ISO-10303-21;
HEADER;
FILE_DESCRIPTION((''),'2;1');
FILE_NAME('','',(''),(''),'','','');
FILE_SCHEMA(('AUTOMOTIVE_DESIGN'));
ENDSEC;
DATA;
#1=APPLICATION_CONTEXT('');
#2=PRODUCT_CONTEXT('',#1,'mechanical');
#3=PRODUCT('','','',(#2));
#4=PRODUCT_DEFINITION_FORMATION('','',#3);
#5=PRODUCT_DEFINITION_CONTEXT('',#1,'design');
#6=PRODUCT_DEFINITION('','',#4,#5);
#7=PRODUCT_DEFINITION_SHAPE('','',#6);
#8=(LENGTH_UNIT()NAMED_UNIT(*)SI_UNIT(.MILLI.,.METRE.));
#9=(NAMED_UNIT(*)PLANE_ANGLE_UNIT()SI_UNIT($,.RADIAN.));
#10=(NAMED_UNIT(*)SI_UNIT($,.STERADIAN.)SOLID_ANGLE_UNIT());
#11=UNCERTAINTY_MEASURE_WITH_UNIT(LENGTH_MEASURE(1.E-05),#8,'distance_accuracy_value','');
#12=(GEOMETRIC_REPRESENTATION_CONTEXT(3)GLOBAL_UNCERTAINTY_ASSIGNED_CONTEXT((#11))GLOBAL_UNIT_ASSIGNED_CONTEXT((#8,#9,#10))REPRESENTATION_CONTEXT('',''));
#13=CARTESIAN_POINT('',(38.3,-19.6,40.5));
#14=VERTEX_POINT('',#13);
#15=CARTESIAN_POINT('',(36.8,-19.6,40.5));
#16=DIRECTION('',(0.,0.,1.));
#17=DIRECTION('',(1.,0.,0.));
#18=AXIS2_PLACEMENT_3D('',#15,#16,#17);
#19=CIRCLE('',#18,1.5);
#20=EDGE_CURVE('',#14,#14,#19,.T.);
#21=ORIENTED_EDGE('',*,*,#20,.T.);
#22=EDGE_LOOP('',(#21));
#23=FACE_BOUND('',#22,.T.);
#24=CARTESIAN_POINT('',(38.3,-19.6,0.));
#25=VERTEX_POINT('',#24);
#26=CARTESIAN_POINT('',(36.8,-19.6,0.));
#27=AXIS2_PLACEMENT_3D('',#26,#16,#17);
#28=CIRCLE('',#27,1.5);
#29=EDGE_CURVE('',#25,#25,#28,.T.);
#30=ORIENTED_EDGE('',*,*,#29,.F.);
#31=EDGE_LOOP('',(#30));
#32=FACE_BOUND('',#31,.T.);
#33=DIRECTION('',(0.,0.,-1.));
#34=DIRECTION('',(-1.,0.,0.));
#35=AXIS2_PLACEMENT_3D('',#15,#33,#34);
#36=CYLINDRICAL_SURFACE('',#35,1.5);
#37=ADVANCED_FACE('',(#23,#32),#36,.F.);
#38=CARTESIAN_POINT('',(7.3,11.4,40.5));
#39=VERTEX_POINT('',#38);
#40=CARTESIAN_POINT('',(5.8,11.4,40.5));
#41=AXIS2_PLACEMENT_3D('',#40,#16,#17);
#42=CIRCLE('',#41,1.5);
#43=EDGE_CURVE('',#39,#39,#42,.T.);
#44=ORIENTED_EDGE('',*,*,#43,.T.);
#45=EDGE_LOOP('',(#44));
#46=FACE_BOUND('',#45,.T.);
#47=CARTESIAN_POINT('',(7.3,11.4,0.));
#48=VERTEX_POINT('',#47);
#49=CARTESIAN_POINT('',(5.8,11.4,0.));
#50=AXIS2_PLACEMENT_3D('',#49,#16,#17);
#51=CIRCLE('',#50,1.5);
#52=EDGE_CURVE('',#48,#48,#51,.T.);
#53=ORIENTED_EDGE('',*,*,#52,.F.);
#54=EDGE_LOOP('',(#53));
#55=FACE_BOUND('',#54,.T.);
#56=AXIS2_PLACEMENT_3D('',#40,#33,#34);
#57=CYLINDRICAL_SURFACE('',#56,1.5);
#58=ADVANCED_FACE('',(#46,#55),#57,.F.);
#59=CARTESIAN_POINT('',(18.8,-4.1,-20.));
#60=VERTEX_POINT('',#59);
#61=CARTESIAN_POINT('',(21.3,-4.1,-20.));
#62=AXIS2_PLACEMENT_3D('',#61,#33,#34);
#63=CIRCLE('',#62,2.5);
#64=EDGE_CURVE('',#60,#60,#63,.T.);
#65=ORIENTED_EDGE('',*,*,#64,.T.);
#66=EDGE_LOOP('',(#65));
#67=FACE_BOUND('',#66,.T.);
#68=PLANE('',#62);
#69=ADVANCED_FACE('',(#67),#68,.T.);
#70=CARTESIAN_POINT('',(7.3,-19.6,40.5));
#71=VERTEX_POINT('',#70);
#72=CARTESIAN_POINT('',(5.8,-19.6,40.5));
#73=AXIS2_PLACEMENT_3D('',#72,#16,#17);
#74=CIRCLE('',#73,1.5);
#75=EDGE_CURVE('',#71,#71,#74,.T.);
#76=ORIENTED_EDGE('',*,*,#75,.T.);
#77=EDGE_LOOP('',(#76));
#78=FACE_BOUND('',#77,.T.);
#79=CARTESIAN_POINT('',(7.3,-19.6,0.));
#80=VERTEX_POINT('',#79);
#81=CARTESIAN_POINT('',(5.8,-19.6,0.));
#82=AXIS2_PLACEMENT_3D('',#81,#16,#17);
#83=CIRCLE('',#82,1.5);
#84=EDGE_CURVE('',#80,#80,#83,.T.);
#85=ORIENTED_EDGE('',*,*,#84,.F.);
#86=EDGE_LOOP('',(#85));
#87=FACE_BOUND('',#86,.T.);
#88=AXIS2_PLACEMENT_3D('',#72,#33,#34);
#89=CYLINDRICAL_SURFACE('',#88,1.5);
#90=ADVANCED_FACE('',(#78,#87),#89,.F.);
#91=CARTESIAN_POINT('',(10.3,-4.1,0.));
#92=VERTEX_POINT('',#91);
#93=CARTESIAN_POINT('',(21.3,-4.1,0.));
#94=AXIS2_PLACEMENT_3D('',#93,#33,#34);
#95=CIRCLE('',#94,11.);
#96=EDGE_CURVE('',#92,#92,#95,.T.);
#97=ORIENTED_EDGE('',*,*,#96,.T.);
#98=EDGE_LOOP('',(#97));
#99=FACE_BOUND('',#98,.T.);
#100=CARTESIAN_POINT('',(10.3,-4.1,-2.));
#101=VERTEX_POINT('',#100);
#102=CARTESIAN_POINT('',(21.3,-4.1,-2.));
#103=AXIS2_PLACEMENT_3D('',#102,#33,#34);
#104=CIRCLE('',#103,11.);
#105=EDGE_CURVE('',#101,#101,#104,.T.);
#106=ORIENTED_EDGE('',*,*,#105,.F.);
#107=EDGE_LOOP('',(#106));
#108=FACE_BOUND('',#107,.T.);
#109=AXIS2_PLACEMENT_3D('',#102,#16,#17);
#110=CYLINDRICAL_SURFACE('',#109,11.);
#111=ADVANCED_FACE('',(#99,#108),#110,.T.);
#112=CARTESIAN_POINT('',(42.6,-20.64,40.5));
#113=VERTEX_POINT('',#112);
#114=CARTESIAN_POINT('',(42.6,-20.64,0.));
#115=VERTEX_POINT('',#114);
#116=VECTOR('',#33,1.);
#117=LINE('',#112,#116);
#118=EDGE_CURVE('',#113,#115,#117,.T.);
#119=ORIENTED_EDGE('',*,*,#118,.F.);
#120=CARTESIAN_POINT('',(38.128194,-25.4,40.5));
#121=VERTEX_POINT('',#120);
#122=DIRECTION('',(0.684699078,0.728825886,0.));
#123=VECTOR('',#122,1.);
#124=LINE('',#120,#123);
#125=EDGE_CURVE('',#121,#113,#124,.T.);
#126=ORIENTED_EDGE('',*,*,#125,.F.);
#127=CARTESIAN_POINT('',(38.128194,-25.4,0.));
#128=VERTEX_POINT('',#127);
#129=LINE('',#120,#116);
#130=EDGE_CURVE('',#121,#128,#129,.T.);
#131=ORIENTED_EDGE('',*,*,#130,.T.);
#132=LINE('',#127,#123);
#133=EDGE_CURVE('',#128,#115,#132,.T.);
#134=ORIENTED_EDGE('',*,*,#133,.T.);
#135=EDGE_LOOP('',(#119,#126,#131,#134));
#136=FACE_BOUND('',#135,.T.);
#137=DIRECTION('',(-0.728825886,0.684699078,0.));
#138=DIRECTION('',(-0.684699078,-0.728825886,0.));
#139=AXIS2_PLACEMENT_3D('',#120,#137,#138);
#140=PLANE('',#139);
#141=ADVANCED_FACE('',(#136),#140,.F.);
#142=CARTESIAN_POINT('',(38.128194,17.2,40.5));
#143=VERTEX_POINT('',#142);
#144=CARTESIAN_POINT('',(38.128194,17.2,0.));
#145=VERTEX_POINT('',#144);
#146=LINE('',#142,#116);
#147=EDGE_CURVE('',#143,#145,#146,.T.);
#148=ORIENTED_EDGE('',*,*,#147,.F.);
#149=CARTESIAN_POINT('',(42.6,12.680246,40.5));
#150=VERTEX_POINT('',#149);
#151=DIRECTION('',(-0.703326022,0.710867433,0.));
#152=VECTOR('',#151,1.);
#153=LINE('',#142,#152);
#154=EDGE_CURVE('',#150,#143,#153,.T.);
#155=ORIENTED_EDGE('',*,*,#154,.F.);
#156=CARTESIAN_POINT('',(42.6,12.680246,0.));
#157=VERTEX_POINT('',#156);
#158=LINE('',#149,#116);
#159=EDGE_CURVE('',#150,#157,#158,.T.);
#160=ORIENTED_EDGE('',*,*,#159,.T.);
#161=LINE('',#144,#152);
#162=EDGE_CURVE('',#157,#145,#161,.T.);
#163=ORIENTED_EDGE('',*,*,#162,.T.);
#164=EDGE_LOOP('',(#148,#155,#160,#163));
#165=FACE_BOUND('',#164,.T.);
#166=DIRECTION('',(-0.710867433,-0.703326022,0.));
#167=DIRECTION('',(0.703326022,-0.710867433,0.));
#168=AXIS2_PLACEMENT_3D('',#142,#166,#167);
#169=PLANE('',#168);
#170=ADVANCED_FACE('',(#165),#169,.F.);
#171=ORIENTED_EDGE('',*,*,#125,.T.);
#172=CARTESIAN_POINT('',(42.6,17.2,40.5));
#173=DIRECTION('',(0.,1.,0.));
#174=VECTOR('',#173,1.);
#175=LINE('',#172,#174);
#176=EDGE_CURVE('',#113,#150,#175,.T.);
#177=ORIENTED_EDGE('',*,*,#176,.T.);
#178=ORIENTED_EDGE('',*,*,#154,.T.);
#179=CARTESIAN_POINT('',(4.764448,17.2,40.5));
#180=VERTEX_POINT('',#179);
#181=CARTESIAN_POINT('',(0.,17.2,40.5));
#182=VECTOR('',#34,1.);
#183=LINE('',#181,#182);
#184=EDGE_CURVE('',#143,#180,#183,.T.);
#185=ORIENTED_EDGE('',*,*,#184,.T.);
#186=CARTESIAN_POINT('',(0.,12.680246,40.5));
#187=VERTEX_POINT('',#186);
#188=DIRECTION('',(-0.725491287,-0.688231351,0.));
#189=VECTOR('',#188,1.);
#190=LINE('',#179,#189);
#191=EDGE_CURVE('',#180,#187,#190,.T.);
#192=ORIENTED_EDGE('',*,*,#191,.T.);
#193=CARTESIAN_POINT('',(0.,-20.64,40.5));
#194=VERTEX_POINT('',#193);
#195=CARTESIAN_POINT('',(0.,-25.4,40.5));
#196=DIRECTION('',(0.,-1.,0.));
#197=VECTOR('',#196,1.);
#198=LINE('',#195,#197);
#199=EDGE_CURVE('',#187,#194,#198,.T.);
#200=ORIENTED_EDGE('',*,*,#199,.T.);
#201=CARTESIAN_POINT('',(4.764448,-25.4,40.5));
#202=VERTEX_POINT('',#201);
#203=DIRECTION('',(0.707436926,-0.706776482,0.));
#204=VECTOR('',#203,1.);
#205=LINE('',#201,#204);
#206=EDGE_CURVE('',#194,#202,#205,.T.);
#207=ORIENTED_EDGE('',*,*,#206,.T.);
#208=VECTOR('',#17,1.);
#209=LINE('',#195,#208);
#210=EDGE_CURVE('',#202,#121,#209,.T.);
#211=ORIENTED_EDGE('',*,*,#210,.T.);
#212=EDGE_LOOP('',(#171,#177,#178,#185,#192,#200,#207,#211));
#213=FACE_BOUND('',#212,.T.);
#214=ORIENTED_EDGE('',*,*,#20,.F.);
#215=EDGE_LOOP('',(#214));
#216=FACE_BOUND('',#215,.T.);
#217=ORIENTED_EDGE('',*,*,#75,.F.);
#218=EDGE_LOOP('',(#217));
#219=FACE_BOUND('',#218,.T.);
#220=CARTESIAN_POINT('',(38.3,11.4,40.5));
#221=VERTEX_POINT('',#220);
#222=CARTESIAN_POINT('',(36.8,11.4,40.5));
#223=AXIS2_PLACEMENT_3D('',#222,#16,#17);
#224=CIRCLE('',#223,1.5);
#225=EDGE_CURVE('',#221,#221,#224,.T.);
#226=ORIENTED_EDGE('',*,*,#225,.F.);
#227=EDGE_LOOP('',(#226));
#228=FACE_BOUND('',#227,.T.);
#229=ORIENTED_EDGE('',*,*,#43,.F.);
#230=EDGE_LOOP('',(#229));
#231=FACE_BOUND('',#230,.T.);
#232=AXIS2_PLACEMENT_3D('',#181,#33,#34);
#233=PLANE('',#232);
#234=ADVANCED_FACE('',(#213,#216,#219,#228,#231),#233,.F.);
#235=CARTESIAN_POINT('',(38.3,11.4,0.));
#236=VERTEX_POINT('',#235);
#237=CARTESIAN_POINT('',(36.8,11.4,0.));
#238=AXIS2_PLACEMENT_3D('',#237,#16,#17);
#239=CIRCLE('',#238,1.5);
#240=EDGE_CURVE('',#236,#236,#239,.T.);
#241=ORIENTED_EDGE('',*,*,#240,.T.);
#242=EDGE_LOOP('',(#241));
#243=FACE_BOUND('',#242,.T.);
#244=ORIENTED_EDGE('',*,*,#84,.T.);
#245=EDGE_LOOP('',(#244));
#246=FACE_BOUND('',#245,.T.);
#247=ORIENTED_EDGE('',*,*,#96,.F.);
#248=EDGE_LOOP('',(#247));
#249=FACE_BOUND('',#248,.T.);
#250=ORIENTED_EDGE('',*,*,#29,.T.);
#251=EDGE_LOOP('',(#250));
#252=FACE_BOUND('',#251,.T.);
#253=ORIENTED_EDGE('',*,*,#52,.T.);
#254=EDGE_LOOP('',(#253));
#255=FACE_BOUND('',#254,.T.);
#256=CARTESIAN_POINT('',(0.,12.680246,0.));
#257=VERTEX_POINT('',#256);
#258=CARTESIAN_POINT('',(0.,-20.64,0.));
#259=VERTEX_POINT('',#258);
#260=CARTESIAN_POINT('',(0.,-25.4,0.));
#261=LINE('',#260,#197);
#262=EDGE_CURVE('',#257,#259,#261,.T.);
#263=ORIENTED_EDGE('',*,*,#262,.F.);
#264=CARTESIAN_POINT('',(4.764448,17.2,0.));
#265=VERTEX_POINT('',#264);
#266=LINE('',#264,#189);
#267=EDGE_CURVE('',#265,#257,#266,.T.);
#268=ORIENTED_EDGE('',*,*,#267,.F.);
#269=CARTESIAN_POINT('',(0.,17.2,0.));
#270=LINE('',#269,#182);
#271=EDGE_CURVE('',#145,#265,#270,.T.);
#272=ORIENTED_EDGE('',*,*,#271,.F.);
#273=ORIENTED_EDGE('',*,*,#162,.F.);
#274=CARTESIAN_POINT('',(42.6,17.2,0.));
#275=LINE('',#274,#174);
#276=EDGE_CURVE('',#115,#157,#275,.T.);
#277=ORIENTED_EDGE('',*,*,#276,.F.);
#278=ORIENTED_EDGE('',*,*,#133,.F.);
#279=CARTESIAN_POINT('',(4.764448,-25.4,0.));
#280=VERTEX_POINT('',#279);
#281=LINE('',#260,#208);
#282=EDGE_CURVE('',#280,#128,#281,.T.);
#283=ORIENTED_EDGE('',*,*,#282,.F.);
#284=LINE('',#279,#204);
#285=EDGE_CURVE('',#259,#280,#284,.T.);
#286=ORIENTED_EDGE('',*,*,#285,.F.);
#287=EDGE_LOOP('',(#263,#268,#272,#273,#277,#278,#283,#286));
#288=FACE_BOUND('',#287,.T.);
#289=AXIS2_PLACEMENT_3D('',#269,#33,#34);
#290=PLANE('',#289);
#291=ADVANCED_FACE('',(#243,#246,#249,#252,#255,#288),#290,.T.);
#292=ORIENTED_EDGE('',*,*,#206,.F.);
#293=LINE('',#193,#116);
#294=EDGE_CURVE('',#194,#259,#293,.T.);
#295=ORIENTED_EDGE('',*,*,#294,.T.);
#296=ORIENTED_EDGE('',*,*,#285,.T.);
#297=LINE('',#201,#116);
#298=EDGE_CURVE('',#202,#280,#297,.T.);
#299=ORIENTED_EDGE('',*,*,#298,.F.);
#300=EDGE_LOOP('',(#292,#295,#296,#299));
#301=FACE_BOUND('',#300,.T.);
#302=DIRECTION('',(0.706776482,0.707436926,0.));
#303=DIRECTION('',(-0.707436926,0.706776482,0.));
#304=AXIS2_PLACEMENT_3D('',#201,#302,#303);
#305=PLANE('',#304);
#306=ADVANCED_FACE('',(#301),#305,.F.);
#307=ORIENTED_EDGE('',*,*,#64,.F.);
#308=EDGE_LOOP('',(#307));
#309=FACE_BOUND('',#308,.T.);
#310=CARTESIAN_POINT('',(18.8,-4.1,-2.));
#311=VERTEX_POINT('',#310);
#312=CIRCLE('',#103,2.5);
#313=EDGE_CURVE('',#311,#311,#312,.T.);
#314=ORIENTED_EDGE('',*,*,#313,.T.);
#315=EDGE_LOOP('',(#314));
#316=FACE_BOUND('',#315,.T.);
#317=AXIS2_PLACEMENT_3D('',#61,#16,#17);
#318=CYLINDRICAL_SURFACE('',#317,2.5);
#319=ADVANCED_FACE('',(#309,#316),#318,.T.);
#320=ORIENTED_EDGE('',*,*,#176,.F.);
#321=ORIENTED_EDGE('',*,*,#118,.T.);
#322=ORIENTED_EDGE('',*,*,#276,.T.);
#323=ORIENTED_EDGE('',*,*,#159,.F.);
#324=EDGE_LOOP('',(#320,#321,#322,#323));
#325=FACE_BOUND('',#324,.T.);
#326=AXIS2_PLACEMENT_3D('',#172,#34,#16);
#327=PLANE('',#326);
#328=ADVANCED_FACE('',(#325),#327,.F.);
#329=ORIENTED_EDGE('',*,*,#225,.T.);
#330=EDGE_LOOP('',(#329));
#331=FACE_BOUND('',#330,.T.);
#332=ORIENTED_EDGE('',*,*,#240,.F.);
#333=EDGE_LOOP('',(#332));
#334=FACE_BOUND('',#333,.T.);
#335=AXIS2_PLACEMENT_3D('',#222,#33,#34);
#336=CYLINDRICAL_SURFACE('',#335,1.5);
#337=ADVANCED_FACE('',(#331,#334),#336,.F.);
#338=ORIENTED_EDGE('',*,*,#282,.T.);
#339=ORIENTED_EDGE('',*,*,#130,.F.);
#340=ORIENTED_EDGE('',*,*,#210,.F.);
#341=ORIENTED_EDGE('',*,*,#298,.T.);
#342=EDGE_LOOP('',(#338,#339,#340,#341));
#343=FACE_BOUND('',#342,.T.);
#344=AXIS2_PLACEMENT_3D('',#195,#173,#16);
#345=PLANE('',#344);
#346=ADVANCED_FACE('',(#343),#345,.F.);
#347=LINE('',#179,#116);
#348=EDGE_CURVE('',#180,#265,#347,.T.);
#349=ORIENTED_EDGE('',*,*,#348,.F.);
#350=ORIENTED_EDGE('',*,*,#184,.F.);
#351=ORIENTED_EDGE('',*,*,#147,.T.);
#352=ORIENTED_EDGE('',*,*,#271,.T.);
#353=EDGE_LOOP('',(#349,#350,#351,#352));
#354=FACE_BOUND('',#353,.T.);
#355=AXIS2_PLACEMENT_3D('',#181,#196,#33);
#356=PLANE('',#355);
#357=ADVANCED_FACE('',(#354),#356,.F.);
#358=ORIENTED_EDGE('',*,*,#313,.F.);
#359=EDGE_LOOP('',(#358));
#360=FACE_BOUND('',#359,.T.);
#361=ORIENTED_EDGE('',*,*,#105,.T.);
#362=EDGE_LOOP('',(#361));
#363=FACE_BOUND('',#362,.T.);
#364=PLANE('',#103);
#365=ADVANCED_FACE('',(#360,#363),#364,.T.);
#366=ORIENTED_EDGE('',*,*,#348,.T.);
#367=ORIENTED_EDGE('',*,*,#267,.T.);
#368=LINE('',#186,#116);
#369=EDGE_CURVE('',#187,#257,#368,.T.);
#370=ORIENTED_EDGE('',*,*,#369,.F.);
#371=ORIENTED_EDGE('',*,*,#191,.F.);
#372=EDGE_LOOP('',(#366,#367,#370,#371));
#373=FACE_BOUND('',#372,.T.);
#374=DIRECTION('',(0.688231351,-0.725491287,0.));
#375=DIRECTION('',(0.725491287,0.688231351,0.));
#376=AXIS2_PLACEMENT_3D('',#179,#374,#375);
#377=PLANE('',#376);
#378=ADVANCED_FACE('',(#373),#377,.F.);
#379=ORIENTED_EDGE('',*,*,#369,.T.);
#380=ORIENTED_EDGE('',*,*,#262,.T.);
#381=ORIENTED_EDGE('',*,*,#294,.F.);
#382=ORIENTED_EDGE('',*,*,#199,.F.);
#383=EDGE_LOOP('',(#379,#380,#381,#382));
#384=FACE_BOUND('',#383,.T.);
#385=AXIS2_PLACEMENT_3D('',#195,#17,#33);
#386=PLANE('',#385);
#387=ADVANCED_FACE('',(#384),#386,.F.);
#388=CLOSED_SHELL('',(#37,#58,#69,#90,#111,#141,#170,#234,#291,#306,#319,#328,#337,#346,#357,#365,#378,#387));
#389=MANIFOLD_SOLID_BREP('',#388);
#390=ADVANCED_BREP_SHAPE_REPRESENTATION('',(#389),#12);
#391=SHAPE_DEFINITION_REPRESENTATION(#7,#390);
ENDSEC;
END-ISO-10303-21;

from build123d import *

# Parameters (mm, degrees)
SKETCH1_W      = 42.6
SKETCH1_H      = 42.6
SKETCH1_R      = 1.5
EXTRUDE1_DEPTH = 40.5
EXTRUDE2_DEPTH = 40.5
SKETCH5_R      = 11
EXTRUDE3_DEPTH = 2
SKETCH6_R      = 2.5
EXTRUDE4_DEPTH = 18


with BuildPart() as part:
    # Sketch1 → Extrude1 (new body)
    with BuildSketch(Plane.XY):
        with Locations((21.3, -4.1)):
            Rectangle(SKETCH1_W, SKETCH1_H)
        with Locations((5.8, 11.4)):
            Circle(SKETCH1_R, mode=Mode.SUBTRACT)
        with Locations((5.8, -19.6)):
            Circle(SKETCH1_R, mode=Mode.SUBTRACT)
        with Locations((36.8, -19.6)):
            Circle(SKETCH1_R, mode=Mode.SUBTRACT)
        with Locations((36.8, 11.4)):
            Circle(SKETCH1_R, mode=Mode.SUBTRACT)
    extrude(amount=EXTRUDE1_DEPTH)

    # Sketch2 → Extrude2 (cut)
    with BuildSketch(Plane(origin=(0, 0, 0), x_dir=(-1, 0, 0), z_dir=(0, 0, -1))):
        Polygon((-4.764447963, -25.4), (0, -20.64), (0, -25.4), align=None)
        Polygon((-4.764447963, 17.2), (0, 12.680245569), (0, 17.2), align=None)
        Polygon((-38.128194488, 17.2), (-42.6, 12.680245569), (-42.6, 17.2), align=None)
        Polygon((-38.128194488, -25.4), (-42.6, -20.64), (-42.6, -25.4), align=None)
    extrude(amount=-EXTRUDE2_DEPTH, mode=Mode.SUBTRACT)

    # Sketch5 → Extrude3 (add)
    with BuildSketch(Plane(origin=(0, 0, 0), x_dir=(-1, 0, 0), z_dir=(0, 0, -1))):
        with Locations((-21.3, -4.1)):
            Circle(SKETCH5_R)
    extrude(amount=EXTRUDE3_DEPTH)

    # Sketch6 → Extrude4 (add)
    with BuildSketch(Plane(origin=(0, 0, -2), x_dir=(-1, 0, 0), z_dir=(0, 0, -1))):
        with Locations((-21.3, -4.1)):
            Circle(SKETCH6_R)
    extrude(amount=EXTRUDE4_DEPTH)


solid = part.part
